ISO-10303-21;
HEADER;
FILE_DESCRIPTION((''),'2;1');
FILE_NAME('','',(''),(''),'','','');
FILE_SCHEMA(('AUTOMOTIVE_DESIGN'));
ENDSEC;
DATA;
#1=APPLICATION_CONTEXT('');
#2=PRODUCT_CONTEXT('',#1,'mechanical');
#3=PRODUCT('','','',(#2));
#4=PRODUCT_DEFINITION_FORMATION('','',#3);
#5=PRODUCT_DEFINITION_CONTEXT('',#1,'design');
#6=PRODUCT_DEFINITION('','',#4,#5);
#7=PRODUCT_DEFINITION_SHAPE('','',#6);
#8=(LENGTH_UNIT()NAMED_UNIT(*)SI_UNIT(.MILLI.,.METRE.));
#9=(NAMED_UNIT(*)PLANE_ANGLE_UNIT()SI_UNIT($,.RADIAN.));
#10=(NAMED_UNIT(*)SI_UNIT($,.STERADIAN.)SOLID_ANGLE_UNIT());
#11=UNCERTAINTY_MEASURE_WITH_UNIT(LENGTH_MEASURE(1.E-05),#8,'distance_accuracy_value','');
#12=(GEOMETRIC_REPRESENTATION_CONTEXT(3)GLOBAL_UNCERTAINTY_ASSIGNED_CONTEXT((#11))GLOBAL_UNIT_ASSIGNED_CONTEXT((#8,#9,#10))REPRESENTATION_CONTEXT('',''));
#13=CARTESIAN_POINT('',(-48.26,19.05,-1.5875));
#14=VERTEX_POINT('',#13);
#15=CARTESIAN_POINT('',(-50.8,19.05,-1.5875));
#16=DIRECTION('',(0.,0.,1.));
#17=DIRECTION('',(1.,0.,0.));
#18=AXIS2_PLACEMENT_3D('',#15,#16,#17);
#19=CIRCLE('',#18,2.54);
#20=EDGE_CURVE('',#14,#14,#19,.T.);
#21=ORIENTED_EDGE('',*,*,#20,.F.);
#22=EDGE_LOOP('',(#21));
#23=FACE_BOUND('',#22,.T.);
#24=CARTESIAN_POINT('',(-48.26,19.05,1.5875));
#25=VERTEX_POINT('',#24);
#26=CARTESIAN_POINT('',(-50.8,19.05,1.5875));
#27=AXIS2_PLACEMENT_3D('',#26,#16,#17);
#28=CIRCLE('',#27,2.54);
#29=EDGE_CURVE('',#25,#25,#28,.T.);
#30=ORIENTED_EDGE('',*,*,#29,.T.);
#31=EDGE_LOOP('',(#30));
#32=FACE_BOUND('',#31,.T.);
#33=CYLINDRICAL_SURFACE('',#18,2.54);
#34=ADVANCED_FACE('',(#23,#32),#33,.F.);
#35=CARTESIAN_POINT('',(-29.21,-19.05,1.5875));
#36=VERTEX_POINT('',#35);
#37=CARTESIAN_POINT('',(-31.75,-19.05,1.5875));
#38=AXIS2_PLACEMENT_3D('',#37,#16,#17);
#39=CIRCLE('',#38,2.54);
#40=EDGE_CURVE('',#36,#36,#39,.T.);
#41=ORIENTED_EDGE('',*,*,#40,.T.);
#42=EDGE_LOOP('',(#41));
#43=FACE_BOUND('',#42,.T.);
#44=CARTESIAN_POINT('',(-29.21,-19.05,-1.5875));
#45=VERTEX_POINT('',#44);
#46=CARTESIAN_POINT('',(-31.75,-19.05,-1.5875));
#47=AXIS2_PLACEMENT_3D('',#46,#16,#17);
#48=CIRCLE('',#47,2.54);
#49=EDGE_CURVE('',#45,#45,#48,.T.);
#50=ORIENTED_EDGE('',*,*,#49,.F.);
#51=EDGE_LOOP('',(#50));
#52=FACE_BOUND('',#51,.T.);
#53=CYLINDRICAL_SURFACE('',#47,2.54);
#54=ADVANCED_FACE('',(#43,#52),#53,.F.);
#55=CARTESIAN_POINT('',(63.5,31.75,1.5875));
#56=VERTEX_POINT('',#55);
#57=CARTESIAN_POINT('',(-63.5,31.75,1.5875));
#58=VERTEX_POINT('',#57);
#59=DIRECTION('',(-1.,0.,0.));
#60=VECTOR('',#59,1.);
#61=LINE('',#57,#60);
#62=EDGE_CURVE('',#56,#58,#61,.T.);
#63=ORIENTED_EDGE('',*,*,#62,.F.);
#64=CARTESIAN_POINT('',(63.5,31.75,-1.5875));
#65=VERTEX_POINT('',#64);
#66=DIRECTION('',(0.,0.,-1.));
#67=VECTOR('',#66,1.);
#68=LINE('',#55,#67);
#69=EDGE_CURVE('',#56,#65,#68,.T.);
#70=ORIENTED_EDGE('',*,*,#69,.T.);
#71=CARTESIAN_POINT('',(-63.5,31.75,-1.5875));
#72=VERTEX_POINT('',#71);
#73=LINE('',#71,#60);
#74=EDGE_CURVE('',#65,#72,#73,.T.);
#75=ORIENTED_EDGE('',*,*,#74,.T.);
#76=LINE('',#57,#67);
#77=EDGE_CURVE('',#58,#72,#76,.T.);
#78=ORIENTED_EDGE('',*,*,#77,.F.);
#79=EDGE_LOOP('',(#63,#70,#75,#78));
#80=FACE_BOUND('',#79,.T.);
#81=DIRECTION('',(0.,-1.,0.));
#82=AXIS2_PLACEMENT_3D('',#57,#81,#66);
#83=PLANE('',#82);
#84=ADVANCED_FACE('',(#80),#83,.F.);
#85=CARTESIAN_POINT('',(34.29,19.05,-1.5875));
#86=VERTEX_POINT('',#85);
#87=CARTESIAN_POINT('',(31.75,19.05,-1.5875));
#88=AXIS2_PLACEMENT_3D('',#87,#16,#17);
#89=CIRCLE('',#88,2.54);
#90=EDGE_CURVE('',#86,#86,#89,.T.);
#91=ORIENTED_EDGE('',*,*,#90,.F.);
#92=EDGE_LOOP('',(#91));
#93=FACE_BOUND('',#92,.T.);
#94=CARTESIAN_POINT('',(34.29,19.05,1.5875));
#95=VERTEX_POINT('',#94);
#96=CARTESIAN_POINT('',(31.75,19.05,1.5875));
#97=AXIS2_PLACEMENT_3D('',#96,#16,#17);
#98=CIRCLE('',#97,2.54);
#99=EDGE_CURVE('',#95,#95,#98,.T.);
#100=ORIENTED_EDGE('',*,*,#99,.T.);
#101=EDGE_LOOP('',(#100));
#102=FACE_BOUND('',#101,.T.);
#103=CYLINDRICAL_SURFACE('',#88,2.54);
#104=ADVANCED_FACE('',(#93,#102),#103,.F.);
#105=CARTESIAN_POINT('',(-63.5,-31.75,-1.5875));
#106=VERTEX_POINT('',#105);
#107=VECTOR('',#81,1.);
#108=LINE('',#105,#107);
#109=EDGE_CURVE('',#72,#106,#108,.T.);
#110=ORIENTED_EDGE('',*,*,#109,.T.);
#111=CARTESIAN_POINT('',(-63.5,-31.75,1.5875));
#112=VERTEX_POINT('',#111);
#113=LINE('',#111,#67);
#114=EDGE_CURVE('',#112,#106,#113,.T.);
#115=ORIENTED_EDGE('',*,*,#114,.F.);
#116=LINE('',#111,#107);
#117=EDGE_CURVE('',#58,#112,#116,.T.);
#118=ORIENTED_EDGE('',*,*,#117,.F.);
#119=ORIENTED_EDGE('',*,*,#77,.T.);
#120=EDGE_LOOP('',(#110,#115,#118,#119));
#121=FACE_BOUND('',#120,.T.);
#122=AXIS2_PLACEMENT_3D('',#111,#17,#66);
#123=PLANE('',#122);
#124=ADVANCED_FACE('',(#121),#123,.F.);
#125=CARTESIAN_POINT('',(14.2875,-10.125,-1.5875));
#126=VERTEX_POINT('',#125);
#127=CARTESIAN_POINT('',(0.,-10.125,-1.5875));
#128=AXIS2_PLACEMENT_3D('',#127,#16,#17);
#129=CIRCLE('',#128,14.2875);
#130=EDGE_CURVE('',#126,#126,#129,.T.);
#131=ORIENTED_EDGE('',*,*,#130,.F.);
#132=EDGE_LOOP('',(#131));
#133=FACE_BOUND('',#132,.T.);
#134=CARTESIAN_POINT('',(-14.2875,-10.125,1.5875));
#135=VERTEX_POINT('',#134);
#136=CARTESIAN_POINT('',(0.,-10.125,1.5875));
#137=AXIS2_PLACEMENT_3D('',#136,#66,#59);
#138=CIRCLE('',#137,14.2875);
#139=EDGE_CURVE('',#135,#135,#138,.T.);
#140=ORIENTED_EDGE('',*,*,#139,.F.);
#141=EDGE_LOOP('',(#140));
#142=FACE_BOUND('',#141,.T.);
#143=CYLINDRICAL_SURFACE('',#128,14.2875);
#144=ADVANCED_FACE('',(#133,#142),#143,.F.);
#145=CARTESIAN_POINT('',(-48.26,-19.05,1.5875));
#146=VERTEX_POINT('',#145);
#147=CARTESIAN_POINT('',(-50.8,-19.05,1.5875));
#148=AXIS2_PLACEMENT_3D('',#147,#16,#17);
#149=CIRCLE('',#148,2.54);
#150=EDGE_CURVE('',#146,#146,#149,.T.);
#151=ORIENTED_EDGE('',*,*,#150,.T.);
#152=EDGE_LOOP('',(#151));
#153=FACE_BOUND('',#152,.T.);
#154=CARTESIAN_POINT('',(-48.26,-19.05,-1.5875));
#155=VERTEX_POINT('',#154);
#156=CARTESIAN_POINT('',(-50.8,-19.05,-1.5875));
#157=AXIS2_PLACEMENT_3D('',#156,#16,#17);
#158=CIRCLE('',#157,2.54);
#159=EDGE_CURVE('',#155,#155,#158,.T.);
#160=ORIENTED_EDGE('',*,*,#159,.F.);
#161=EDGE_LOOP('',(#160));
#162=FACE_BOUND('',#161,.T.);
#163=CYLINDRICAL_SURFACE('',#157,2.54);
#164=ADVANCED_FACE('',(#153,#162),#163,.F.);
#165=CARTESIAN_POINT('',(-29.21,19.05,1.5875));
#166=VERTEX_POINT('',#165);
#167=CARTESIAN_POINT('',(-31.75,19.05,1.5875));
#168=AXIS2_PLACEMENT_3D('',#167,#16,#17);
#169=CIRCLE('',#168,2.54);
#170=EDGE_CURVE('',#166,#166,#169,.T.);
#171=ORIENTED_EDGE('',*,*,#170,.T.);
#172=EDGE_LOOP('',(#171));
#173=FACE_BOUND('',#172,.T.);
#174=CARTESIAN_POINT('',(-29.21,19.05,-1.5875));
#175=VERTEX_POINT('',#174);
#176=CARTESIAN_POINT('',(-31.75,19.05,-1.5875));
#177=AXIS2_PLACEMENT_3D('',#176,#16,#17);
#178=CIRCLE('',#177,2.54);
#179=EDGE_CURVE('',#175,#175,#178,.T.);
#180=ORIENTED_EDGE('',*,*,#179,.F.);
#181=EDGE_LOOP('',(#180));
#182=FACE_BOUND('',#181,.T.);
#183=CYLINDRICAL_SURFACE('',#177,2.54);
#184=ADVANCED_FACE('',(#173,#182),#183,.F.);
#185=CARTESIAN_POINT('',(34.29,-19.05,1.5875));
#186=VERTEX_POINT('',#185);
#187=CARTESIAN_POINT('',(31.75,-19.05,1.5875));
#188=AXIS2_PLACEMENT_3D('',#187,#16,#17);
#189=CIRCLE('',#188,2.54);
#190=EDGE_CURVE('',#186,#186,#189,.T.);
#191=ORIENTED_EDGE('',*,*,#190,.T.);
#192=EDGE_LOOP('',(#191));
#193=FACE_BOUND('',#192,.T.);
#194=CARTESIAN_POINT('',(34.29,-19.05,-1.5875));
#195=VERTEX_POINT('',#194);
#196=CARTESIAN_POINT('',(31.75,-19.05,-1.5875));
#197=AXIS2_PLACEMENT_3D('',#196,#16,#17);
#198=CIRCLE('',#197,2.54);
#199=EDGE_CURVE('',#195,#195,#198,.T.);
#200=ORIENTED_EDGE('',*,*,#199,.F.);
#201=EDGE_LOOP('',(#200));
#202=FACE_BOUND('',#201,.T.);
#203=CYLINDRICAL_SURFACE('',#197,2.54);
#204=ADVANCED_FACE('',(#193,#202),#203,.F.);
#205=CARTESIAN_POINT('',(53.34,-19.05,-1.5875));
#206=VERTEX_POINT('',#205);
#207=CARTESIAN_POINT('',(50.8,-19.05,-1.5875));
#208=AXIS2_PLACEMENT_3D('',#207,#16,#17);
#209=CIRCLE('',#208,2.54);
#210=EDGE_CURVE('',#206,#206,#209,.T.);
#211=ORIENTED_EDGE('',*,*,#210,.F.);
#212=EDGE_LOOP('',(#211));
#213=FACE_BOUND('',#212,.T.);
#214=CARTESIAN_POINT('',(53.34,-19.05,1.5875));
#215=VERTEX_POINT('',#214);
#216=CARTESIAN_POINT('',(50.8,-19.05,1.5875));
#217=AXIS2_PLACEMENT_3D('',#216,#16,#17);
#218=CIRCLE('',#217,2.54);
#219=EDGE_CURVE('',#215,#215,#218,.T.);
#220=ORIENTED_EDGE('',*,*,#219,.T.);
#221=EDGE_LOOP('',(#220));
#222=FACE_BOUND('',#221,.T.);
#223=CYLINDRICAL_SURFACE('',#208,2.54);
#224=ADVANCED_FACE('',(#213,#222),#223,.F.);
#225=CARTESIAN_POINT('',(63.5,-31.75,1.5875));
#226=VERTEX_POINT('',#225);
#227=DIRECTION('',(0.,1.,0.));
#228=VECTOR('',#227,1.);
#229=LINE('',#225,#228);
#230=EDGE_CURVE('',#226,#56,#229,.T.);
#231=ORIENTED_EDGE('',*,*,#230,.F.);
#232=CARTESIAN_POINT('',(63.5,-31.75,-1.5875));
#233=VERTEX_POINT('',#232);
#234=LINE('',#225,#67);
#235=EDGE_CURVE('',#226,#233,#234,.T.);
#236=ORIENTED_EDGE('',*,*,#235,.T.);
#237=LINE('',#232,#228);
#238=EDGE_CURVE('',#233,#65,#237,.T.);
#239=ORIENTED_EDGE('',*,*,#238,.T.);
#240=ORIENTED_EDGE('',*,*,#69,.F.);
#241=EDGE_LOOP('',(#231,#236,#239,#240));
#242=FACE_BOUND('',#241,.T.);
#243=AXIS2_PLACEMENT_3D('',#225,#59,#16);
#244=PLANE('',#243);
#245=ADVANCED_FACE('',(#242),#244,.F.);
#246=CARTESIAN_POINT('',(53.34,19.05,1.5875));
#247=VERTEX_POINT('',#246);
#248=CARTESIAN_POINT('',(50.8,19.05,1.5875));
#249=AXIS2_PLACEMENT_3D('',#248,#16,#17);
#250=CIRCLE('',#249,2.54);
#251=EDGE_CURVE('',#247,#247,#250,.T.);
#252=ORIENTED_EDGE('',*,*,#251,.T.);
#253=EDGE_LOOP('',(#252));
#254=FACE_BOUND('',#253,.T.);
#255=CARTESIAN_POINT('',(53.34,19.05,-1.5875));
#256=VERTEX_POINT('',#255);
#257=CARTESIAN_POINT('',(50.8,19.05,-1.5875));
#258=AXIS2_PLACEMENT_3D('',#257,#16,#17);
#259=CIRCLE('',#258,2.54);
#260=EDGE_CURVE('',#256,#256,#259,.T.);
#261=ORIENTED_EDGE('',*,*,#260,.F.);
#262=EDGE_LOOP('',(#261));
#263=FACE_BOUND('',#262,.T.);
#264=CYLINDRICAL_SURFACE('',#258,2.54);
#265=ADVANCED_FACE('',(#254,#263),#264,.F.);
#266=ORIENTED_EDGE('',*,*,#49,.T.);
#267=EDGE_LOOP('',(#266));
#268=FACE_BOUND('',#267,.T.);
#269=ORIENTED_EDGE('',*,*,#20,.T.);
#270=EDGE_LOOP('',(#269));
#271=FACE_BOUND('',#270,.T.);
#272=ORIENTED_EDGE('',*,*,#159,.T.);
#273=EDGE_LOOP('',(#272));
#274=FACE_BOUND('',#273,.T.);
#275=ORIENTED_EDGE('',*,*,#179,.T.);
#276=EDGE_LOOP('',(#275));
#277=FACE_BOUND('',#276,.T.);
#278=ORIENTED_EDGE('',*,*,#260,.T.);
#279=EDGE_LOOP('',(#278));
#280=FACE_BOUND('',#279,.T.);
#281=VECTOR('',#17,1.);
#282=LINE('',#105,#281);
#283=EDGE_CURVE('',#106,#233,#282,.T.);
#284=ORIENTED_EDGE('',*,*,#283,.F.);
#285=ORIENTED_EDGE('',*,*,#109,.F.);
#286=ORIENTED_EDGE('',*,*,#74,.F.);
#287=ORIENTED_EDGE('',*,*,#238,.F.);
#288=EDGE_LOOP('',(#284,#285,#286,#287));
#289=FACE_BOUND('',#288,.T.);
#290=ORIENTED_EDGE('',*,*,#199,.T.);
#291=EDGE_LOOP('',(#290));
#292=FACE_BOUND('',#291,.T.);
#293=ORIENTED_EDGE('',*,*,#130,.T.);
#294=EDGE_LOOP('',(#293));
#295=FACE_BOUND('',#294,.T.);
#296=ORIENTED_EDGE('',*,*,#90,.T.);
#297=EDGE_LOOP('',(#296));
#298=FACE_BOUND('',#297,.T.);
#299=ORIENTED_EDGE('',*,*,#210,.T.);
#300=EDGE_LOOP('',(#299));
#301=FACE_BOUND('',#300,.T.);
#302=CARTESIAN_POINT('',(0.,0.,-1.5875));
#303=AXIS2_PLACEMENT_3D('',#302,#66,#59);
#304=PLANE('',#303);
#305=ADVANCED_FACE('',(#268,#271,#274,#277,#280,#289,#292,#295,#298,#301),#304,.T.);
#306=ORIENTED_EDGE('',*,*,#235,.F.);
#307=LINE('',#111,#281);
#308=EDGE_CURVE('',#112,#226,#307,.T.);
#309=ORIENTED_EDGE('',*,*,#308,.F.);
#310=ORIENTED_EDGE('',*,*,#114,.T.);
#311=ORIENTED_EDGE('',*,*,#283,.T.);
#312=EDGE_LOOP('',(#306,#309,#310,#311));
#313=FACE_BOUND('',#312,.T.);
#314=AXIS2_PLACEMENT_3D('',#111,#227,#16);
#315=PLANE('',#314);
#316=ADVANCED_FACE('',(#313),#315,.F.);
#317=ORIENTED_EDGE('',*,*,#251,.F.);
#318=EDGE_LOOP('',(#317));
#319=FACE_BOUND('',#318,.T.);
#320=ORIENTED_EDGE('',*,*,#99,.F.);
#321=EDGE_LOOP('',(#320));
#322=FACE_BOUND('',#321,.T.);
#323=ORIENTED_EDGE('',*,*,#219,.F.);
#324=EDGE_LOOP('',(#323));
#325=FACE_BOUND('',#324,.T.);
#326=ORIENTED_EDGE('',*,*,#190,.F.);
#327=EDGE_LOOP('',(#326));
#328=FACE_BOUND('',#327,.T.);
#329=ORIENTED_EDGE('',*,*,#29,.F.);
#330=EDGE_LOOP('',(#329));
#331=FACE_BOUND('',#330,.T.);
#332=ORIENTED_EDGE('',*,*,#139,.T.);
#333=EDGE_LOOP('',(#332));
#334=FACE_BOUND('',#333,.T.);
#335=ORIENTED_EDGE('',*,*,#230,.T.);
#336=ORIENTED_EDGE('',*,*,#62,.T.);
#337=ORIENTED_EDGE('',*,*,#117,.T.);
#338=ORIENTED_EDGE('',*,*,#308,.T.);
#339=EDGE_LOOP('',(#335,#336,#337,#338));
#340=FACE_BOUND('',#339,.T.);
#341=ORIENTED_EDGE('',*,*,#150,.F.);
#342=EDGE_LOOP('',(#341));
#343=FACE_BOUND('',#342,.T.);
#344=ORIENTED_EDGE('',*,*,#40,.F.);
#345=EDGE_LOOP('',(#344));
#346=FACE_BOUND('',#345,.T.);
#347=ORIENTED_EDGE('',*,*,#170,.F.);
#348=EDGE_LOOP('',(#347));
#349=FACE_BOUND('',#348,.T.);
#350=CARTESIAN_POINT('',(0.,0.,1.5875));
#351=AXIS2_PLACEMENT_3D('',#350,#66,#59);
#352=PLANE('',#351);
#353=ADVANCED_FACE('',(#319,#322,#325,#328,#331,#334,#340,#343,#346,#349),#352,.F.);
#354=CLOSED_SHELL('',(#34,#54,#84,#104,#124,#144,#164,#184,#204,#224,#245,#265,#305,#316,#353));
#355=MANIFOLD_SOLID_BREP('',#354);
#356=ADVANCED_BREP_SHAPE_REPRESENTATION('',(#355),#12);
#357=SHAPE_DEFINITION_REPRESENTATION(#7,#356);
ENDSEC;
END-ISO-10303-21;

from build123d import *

# Parameters (mm, degrees)
SKETCH1_W               = 127
SKETCH1_H               = 63.5
BOSS_EXTRUDE1_DEPTH     = 1.5875
CUT_EXTRUDE2_DEPTH      = 72.066117982
CUT_EXTRUDE2_DEPTH_BACK = 72.066117982
SKETCH3_R               = 14.2875
CUT_EXTRUDE3_DEPTH      = 72.012904857
CUT_EXTRUDE3_DEPTH_BACK = 72.012904857
SKETCH4_R               = 2.54
CUT_EXTRUDE4_DEPTH      = 72.012904857
CUT_EXTRUDE4_DEPTH_BACK = 72.012904857
SKETCH5_R               = 2.54


with BuildPart() as part:
    # Sketch1 → Boss-Extrude1 (new, symmetric)
    with BuildSketch(Plane.XY):
        Rectangle(SKETCH1_W, SKETCH1_H)
    extrude(amount=BOSS_EXTRUDE1_DEPTH, both=True)

    # Sketch3 → Cut-Extrude2 (cut, two sides: drawn at the far end of the back side and taken through both)
    with BuildSketch(Plane.XY.offset(1.5875).offset(-CUT_EXTRUDE2_DEPTH_BACK)):
        with Locations((0, -10.125)):
            Circle(SKETCH3_R)
    extrude(amount=CUT_EXTRUDE2_DEPTH + CUT_EXTRUDE2_DEPTH_BACK, mode=Mode.SUBTRACT)

    # Sketch4 → Cut-Extrude3 (cut, two sides: drawn at the far end of the back side and taken through both)
    with BuildSketch(Plane.XY.offset(-CUT_EXTRUDE3_DEPTH_BACK)):
        with Locations((-50.8, 19.05)):
            Circle(SKETCH4_R)
        with Locations((-50.8, -19.05)):
            Circle(SKETCH4_R)
        with Locations((50.8, -19.05)):
            Circle(SKETCH4_R)
        with Locations((50.8, 19.05)):
            Circle(SKETCH4_R)
    extrude(amount=CUT_EXTRUDE3_DEPTH + CUT_EXTRUDE3_DEPTH_BACK, mode=Mode.SUBTRACT)

    # Sketch5 → Cut-Extrude4 (cut, two sides: drawn at the far end of the back side and taken through both)
    with BuildSketch(Plane.XY.offset(-CUT_EXTRUDE4_DEPTH_BACK)):
        with Locations((31.75, 19.05)):
            Circle(SKETCH5_R)
        with Locations((-31.75, 19.05)):
            Circle(SKETCH5_R)
        with Locations((-31.75, -19.05)):
            Circle(SKETCH5_R)
        with Locations((31.75, -19.05)):
            Circle(SKETCH5_R)
    extrude(amount=CUT_EXTRUDE4_DEPTH + CUT_EXTRUDE4_DEPTH_BACK, mode=Mode.SUBTRACT)


solid = part.part
